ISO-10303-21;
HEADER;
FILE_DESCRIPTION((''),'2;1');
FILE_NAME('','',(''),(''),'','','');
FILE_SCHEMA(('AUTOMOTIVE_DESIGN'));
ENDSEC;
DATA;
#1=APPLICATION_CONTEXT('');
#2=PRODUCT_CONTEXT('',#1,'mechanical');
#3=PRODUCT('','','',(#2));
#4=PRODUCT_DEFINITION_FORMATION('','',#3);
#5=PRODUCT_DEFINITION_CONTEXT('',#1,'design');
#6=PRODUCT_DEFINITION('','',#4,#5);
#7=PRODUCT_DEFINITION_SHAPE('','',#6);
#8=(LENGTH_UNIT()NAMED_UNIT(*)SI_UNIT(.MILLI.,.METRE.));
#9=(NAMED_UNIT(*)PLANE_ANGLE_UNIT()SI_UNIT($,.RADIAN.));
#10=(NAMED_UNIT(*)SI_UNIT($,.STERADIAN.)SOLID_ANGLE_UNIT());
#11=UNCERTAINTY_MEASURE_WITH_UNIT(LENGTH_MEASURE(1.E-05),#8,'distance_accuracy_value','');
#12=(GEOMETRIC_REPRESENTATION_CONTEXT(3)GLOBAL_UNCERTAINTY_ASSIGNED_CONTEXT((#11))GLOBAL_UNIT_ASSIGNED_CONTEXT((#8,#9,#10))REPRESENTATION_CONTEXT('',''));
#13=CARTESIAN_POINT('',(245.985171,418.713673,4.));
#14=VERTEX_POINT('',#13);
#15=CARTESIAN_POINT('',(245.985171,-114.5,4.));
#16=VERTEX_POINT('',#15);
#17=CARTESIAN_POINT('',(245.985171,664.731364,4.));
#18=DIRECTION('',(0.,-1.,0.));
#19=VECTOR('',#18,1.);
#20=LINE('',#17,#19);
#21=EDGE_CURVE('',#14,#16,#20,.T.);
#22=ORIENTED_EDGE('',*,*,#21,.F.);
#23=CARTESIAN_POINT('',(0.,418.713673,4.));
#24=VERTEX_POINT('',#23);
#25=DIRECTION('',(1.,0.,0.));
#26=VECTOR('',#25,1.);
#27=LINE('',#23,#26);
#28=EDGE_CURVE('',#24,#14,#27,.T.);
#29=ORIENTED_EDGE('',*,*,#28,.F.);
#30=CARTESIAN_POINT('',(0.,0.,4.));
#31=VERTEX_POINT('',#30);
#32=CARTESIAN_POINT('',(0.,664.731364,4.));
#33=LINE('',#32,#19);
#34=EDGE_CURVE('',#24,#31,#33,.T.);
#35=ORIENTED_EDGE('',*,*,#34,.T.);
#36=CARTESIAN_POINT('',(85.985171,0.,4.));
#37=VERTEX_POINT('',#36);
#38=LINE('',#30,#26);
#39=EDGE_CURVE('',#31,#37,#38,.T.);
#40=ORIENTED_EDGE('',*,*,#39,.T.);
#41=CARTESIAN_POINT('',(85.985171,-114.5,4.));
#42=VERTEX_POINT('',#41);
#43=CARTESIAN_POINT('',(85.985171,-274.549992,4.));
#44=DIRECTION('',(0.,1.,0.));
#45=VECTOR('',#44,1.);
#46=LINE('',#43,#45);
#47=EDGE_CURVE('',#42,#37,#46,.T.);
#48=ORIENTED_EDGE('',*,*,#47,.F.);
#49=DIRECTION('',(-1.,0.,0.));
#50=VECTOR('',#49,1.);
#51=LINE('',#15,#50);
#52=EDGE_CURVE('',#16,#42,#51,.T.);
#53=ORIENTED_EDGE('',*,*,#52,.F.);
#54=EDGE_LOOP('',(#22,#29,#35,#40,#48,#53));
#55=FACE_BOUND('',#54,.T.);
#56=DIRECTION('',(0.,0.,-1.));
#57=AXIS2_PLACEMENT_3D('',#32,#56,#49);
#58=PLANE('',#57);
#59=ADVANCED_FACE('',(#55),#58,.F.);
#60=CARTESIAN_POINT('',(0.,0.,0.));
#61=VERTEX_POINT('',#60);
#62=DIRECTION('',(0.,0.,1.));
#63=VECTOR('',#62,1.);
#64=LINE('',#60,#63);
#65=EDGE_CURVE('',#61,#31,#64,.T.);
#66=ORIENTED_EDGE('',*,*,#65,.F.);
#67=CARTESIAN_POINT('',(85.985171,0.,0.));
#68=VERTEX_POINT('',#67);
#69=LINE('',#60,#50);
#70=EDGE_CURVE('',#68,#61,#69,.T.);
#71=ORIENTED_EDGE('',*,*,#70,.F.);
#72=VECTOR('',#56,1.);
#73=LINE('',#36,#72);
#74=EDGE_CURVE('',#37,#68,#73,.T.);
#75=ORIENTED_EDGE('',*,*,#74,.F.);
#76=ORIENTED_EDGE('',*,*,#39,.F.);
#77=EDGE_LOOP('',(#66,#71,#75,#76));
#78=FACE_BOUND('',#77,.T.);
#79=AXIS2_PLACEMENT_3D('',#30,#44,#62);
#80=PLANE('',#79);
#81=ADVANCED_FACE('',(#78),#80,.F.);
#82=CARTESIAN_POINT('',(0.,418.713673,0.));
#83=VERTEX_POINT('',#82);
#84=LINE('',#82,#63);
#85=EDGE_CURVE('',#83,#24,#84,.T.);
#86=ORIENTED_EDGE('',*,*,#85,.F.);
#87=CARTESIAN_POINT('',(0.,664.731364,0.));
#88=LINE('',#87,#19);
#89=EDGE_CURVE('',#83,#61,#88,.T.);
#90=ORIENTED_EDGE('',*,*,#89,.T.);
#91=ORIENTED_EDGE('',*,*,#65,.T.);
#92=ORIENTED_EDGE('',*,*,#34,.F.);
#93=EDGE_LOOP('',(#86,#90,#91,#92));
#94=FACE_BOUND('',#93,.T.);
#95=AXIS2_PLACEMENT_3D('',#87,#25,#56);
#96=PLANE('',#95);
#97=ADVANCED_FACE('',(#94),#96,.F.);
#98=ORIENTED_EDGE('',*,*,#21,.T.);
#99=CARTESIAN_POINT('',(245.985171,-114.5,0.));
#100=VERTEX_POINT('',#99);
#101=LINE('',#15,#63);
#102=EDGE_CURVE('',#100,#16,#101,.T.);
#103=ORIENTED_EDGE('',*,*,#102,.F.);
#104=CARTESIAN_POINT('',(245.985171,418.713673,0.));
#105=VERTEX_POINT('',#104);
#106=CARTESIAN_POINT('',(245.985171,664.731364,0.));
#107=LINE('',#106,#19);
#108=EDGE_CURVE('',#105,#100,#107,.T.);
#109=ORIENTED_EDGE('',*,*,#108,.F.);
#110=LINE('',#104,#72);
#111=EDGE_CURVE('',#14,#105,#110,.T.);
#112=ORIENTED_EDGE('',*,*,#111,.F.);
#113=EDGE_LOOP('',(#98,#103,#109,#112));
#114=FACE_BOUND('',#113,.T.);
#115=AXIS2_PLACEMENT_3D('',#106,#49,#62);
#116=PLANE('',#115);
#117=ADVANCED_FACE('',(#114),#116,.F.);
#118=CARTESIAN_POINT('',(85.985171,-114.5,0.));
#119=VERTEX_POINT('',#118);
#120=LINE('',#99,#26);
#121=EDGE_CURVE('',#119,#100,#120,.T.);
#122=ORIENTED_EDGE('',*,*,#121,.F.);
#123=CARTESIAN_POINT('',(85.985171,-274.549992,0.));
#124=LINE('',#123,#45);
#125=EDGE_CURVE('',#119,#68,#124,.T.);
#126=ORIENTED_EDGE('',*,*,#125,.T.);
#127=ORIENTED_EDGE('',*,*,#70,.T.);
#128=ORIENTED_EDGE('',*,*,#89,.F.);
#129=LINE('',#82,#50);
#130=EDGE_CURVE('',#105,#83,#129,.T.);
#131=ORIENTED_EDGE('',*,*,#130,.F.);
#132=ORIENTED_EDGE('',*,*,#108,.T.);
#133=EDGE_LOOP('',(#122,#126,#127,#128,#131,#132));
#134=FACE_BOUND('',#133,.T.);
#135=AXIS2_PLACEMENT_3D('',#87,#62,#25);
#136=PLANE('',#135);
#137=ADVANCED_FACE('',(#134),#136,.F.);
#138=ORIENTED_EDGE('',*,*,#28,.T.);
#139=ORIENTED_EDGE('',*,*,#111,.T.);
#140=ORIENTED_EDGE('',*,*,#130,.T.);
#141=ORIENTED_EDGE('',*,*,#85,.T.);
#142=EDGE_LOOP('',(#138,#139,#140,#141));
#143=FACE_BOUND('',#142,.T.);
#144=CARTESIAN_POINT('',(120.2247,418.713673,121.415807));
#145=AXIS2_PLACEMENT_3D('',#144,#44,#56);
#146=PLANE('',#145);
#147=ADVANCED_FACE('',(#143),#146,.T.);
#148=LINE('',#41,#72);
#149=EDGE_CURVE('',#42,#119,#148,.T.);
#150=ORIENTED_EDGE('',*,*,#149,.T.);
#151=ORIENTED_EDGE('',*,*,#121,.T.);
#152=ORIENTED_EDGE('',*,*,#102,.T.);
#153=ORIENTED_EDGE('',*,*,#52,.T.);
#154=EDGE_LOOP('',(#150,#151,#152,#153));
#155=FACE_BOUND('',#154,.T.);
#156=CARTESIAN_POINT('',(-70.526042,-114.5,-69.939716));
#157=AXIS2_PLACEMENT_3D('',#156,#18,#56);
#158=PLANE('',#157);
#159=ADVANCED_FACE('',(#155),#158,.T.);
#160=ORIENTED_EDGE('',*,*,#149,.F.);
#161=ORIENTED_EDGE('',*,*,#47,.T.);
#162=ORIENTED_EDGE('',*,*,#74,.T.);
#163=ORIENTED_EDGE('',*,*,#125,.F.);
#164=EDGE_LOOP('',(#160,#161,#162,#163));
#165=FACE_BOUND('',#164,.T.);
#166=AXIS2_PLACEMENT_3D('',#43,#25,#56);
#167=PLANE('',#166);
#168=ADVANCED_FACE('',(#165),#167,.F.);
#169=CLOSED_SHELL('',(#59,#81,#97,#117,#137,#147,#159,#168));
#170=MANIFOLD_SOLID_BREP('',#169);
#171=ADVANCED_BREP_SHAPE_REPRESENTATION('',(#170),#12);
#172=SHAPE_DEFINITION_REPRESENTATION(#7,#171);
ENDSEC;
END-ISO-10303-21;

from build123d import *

# Parameters (mm, degrees)
SKETCH_1_W      = 245.98517055
SKETCH_1_H      = 4
EXTRUDE_1_DEPTH = 418.713673317
SKETCH_2_W      = 160
SKETCH_2_H      = 4
EXTRUDE_2_DEPTH = 114.5


with BuildPart() as part:
    # Эскиз1 → Вытянуть1 (new body)
    with BuildSketch(Plane(origin=(0, 0, 0), x_dir=(1, 0, 0), z_dir=(0, 1, 0))):
        with Locations((122.992585275, -2)):
            Rectangle(SKETCH_1_W, SKETCH_1_H)
    extrude(amount=EXTRUDE_1_DEPTH)

    # Эскиз2 → Вытянуть2 (add)
    with BuildSketch(Plane.XZ):
        with Locations((165.98517055, 2)):
            Rectangle(SKETCH_2_W, SKETCH_2_H)
    extrude(amount=EXTRUDE_2_DEPTH)


solid = part.part
